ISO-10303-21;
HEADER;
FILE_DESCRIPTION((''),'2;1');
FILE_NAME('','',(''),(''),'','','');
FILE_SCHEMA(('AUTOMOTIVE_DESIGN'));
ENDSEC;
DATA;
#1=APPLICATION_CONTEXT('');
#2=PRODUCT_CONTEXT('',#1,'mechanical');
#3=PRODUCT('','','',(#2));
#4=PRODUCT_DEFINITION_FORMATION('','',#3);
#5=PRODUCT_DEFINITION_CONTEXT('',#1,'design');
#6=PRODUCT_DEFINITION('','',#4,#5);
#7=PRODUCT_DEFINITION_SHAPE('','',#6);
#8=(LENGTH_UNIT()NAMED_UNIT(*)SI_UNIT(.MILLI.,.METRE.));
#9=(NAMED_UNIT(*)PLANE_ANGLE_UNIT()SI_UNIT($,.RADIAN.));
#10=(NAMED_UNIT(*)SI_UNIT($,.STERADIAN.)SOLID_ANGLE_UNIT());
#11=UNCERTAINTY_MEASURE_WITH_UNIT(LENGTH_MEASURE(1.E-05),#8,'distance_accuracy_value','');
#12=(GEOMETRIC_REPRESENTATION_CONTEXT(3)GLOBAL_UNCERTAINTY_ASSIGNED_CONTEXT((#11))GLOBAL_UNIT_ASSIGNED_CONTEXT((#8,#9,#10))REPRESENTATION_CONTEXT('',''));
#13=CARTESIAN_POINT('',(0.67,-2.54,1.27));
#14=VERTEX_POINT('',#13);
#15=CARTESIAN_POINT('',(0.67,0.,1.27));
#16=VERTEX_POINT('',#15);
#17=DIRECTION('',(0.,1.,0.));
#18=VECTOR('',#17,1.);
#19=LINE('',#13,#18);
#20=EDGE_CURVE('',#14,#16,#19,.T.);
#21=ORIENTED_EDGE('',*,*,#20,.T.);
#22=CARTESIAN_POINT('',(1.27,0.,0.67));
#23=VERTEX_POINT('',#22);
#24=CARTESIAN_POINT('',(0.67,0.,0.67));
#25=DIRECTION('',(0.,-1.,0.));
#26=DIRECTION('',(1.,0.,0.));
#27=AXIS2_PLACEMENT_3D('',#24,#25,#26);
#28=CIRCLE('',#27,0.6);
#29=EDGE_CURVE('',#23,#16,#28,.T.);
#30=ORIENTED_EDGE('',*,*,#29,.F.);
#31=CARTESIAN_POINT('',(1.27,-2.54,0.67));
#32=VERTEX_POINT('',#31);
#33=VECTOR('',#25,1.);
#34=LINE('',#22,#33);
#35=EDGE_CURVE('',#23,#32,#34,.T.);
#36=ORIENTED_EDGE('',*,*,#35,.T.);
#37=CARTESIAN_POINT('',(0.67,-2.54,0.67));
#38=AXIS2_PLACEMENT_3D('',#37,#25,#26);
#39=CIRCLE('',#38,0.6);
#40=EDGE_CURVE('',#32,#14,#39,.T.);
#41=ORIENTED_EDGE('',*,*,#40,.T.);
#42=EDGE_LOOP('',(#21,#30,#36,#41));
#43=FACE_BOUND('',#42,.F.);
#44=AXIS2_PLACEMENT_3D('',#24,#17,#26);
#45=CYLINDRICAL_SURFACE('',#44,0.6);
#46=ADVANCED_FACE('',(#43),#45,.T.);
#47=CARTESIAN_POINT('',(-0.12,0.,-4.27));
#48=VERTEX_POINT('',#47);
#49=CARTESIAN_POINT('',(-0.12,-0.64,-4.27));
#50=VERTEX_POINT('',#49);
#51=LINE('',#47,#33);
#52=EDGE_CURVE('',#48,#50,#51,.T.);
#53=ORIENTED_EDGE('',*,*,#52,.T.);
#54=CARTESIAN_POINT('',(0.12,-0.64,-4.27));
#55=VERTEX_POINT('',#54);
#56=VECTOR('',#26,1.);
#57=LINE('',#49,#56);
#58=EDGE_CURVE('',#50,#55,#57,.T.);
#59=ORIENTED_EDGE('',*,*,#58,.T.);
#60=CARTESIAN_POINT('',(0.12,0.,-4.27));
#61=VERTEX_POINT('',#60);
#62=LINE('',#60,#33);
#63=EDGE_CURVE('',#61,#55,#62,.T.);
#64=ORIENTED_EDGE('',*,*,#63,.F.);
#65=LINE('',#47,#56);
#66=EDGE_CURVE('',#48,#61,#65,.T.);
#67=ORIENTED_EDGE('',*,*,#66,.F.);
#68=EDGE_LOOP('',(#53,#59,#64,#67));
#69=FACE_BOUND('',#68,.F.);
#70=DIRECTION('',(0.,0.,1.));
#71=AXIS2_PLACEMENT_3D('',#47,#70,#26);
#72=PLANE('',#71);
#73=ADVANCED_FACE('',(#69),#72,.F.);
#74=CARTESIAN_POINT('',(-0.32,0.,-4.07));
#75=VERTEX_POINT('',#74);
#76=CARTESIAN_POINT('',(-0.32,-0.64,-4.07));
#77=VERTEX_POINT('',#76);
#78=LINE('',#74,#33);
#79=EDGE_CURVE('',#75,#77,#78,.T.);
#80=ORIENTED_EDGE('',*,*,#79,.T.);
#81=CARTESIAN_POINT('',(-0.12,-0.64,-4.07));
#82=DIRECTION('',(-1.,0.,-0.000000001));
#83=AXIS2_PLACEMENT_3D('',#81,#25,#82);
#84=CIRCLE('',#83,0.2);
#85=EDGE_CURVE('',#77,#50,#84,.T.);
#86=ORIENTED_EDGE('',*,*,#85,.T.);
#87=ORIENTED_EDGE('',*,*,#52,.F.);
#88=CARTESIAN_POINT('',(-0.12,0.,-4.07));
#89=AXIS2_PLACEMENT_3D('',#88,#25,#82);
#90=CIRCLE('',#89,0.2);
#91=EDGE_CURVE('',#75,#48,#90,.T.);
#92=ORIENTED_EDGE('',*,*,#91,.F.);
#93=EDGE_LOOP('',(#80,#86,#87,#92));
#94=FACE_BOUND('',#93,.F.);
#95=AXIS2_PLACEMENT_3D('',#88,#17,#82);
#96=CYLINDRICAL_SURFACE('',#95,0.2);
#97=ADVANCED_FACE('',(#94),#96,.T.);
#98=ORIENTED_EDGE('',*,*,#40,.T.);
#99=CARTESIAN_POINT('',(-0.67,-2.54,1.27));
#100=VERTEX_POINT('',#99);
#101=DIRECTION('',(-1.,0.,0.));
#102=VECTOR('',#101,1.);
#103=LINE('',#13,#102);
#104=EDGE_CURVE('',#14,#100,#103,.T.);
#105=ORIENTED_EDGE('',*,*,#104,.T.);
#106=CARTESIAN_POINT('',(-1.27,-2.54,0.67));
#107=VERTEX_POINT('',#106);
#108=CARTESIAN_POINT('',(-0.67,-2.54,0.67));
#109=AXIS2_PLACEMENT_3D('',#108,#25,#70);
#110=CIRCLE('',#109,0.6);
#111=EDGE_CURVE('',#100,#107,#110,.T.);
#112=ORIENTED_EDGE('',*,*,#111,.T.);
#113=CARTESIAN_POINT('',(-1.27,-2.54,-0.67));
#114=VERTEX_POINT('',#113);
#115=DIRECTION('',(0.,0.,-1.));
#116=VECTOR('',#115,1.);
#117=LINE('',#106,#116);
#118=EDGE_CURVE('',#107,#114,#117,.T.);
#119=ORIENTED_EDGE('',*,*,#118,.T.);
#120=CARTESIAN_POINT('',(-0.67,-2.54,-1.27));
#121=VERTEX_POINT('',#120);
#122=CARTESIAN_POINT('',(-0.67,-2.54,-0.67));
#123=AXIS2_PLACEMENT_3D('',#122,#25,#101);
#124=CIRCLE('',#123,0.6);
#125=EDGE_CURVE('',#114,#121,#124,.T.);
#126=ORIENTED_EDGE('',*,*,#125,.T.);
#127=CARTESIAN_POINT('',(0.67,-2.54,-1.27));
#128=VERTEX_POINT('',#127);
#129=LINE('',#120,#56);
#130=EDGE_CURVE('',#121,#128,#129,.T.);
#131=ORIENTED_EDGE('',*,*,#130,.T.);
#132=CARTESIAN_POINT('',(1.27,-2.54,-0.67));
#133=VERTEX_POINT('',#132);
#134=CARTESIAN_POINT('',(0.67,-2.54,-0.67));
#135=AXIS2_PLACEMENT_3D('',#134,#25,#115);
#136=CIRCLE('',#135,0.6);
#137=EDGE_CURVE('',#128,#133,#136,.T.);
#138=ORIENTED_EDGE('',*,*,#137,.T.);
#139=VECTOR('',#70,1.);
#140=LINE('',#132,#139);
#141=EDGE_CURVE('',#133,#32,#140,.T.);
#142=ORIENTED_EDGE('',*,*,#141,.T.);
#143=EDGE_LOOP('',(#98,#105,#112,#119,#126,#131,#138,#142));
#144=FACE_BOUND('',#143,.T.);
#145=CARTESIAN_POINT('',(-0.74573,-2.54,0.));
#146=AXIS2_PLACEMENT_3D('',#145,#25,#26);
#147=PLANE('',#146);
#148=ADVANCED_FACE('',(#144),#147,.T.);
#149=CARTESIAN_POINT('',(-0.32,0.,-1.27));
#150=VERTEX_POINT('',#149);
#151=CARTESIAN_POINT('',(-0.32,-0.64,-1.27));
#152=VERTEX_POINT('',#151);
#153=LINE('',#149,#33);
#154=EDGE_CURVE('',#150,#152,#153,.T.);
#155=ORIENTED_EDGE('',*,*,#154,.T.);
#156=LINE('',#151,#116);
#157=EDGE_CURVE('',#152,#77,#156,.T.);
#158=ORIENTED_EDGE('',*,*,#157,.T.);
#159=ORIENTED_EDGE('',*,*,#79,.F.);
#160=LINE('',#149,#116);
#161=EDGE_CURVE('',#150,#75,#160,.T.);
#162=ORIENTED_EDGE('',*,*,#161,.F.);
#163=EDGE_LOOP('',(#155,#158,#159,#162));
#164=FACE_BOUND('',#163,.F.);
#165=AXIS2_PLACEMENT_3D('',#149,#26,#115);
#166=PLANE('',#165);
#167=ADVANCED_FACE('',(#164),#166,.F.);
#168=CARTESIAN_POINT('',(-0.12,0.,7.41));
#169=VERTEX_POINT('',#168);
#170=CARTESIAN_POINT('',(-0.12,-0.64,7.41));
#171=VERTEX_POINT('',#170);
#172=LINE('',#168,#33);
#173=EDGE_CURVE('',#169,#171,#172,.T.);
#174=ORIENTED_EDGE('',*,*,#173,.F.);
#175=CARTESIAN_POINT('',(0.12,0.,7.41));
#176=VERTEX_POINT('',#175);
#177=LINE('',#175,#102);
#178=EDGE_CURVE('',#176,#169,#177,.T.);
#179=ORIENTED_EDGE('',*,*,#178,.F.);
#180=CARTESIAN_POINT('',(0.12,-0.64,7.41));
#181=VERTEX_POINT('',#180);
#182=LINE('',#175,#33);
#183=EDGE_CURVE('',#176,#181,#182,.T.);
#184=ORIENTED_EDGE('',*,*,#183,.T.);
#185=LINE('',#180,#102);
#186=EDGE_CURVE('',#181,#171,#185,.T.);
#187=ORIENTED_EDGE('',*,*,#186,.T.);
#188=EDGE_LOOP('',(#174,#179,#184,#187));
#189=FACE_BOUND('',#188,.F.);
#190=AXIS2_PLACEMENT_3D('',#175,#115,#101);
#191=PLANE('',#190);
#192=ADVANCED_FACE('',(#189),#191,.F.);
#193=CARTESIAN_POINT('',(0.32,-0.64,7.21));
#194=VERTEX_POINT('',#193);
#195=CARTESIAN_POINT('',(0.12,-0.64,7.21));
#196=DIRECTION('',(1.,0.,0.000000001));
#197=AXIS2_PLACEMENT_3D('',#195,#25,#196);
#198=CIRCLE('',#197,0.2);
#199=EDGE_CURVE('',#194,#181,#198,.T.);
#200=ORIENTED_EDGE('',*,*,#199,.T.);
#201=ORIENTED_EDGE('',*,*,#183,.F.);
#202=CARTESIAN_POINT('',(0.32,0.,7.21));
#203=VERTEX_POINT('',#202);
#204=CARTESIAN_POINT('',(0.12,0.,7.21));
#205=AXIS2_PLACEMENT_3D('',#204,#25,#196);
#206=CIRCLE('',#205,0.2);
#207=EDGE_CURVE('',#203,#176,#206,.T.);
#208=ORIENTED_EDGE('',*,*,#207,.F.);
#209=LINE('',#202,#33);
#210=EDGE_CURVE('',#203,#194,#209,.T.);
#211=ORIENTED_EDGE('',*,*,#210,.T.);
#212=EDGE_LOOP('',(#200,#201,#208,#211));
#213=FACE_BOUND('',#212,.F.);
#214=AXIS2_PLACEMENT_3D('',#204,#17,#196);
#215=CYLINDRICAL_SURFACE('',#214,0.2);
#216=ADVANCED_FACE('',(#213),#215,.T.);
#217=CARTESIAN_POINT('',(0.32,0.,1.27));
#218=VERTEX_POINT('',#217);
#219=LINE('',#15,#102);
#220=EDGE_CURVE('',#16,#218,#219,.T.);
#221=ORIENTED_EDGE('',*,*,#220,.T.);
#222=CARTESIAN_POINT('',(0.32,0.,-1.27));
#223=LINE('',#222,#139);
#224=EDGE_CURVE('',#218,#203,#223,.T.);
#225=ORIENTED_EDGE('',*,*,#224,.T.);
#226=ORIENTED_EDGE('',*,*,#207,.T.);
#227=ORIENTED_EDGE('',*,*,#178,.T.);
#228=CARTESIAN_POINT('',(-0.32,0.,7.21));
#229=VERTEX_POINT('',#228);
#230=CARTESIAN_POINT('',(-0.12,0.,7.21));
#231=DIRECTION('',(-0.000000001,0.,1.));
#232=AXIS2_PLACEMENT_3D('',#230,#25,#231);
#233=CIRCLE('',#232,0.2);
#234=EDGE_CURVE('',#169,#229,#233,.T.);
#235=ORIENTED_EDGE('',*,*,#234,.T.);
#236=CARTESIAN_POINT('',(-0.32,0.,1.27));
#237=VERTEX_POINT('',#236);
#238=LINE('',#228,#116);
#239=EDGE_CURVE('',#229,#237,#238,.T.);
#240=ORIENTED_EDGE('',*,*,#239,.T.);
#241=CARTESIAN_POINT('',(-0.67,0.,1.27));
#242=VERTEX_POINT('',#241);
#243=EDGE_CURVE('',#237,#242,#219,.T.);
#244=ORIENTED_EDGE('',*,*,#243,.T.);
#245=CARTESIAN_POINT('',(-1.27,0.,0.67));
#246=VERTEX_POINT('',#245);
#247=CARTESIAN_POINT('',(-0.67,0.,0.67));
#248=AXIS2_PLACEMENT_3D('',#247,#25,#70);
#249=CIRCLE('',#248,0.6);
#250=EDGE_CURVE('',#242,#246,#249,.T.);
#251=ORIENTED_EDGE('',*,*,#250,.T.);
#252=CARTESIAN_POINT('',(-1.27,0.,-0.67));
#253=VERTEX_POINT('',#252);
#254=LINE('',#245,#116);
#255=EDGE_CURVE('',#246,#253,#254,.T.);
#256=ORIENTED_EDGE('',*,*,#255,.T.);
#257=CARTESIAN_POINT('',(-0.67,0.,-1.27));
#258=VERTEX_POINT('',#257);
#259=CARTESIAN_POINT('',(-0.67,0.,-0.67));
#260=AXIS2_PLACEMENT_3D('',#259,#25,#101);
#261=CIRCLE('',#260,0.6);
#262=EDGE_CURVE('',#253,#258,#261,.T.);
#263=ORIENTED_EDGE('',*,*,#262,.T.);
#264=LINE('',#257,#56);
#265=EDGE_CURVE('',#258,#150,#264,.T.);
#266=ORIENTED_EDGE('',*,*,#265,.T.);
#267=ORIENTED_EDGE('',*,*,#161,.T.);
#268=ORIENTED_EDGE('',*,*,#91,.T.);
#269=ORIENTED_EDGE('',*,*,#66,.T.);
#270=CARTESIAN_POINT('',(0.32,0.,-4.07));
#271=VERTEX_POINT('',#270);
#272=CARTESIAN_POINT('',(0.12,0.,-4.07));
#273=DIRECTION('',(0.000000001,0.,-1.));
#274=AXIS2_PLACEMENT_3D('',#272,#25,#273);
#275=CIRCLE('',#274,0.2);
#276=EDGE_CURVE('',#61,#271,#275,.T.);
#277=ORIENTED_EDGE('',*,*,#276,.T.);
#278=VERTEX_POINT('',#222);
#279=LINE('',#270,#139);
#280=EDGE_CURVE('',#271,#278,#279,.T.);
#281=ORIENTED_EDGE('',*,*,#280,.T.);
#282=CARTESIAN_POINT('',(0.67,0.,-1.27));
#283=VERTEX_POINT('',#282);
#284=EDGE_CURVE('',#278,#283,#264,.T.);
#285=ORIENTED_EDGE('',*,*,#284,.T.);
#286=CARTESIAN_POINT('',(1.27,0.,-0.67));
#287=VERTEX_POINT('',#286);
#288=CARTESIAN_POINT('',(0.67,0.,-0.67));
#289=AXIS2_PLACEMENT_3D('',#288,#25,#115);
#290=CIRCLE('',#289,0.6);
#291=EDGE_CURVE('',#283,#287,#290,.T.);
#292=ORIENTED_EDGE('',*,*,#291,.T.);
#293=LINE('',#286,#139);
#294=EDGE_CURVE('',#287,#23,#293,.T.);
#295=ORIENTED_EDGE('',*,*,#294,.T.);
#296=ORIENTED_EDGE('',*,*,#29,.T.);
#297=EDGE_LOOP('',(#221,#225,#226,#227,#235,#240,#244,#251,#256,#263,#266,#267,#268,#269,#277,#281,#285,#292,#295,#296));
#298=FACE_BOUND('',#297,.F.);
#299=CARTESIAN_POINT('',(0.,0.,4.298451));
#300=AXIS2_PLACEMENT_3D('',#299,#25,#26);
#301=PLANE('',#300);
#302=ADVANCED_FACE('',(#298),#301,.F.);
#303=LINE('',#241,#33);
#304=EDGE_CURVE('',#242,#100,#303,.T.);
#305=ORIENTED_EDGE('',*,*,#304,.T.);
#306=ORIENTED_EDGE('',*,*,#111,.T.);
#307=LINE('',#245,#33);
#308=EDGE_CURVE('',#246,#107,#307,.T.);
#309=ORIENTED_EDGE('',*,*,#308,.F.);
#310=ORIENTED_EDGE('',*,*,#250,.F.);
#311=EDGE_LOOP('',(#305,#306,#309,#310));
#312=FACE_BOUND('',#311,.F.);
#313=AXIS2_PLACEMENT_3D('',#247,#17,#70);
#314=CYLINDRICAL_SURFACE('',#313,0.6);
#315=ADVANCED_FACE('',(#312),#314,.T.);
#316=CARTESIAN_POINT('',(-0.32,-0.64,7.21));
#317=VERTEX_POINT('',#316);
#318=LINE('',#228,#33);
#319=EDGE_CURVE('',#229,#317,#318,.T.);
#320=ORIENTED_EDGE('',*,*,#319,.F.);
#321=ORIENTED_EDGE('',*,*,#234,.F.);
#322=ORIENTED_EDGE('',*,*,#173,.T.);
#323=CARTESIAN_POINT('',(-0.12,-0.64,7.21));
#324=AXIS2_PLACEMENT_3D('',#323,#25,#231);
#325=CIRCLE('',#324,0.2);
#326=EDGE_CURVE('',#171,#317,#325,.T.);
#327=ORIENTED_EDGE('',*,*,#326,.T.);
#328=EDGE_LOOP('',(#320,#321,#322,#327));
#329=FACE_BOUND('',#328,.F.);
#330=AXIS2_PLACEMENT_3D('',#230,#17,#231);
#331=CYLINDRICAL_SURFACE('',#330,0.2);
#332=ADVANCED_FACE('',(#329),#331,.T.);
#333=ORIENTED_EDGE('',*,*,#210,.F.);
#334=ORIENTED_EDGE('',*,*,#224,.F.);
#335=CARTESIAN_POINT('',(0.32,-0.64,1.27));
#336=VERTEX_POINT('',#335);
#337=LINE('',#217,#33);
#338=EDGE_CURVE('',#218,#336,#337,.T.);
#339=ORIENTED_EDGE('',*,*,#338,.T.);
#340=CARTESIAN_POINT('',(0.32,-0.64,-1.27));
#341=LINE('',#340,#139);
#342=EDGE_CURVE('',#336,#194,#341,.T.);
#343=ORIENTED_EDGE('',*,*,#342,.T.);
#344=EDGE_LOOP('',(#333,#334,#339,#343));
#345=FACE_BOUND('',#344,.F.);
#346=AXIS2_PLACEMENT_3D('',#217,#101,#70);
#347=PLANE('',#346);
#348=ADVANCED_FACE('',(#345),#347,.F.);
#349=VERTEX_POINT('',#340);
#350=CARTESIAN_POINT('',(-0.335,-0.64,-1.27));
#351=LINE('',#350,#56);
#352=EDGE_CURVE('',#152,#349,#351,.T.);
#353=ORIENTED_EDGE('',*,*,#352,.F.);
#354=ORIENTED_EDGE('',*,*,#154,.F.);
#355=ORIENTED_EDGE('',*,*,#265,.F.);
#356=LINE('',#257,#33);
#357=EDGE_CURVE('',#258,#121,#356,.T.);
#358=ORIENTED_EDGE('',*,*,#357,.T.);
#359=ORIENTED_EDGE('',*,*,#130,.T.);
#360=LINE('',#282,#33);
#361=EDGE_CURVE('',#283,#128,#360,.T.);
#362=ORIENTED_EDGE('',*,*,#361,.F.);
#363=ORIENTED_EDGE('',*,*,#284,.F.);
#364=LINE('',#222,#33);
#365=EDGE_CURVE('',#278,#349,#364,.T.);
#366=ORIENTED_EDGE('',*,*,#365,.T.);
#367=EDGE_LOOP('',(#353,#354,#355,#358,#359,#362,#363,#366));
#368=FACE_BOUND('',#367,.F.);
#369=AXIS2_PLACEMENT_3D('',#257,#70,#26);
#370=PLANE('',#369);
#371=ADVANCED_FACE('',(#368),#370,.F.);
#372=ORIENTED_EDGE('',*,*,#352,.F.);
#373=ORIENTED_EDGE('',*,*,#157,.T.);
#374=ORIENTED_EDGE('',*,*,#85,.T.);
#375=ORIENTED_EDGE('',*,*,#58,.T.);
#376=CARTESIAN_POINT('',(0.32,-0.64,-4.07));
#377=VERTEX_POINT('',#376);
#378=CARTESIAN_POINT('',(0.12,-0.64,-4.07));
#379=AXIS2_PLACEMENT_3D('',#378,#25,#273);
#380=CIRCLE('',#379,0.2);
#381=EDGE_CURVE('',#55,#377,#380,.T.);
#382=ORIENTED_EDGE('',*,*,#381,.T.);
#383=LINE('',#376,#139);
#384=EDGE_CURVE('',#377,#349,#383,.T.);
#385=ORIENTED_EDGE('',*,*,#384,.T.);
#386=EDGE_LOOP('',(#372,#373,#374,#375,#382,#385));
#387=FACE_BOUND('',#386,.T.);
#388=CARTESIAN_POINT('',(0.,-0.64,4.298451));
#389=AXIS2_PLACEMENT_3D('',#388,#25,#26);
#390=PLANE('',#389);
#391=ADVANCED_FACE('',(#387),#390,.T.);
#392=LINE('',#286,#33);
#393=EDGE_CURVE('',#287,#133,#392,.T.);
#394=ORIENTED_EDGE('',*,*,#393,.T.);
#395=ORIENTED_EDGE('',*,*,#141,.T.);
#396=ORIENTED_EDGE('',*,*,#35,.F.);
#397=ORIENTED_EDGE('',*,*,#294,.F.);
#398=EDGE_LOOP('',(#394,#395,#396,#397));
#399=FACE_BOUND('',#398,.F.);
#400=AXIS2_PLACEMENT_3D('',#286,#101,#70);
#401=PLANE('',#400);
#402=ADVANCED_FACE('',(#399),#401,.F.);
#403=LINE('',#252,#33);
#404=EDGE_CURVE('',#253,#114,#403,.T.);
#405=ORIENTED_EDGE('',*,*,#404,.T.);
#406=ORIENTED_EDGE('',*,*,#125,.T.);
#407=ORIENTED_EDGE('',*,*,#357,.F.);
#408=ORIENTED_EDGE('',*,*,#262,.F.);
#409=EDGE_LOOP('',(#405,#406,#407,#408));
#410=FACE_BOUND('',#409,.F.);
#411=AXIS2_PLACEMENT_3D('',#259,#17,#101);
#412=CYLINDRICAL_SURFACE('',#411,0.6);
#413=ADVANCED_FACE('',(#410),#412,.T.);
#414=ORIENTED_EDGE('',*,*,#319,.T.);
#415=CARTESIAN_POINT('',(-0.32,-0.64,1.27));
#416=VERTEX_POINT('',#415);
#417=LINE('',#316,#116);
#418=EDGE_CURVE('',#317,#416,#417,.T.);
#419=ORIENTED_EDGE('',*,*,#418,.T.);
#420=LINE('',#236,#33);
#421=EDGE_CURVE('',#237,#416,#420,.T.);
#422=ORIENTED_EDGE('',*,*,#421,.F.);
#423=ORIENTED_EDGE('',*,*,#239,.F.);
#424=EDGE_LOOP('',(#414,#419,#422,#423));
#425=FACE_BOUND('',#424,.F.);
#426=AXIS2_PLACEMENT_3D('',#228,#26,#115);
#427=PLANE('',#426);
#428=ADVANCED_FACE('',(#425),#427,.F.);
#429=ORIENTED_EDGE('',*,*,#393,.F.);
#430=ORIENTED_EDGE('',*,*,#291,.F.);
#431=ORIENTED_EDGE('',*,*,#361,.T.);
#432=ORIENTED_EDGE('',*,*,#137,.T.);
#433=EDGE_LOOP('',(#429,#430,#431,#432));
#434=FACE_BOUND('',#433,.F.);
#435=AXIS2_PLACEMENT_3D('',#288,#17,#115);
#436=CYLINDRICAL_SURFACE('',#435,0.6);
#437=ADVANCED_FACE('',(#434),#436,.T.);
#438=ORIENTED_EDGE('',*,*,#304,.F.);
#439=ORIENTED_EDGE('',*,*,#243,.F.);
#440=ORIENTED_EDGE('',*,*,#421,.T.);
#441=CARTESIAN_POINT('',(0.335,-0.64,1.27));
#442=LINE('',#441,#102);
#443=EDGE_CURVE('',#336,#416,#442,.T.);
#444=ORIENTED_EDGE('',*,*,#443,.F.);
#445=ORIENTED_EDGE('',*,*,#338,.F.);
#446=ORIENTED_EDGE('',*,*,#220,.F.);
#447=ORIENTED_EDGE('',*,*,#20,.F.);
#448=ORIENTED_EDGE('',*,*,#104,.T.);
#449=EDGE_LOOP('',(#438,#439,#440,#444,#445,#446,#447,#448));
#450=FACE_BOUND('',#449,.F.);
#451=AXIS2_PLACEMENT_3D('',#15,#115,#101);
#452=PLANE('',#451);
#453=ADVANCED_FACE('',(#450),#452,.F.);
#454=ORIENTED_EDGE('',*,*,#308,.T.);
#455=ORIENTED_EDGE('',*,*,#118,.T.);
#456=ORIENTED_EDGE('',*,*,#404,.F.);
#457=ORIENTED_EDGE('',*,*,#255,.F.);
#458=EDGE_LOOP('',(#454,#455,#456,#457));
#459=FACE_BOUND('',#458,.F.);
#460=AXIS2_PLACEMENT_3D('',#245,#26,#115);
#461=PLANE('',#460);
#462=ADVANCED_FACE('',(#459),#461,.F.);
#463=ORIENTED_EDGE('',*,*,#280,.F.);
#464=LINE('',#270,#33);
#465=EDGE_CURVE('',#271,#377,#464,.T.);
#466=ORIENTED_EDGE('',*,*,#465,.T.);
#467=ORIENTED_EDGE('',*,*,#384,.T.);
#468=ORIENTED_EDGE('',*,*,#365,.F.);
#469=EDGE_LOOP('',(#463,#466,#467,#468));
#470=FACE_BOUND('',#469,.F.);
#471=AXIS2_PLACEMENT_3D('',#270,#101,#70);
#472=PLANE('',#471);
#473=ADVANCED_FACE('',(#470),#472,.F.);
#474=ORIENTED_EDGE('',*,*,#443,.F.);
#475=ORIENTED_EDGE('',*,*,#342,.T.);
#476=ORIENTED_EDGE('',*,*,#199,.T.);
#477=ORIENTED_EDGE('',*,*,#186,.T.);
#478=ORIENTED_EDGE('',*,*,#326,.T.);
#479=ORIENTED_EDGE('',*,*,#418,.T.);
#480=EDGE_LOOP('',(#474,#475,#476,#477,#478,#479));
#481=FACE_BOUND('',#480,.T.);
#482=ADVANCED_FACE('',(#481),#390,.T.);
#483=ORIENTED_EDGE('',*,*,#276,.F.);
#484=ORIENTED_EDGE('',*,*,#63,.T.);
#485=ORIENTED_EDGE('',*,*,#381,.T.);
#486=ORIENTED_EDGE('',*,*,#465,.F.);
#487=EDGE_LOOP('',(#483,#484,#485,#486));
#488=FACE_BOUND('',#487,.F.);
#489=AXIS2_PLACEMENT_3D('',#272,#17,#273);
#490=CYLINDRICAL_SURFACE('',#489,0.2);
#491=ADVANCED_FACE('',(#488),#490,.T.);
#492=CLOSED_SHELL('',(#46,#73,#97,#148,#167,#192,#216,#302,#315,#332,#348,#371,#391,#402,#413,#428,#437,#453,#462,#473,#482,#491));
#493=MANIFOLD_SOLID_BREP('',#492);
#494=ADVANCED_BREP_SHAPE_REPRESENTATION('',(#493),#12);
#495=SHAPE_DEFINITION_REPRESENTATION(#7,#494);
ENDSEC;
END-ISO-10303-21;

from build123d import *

# Parameters (mm, degrees)
F0_W     = 0.64
F0_H     = 2.54
F1_DEPTH = 2.54
F2_DEPTH = 0.64


with BuildPart() as f1:
    # F0 (on Front) → F1 (new body)
    with BuildSketch(Plane.XZ):
        with BuildLine():
            Line((-0.32, 1.27), (-0.67, 1.27))
            ThreePointArc((-0.67, 1.27), (-1.0942640687, 1.0942640687), (-1.27, 0.67))
            Line((-1.27, 0.67), (-1.27, -0.67))
            ThreePointArc((-1.27, -0.67), (-1.0942640687, -1.0942640687), (-0.67, -1.27))
            Line((-0.67, -1.27), (-0.32, -1.27))
            Line((-0.32, -1.27), (-0.32, 1.27))
        make_face()
        with BuildLine():
            Line((0.67, 1.27), (0.32, 1.27))
            Line((0.32, 1.27), (0.32, -1.27))
            Line((0.32, -1.27), (0.67, -1.27))
            ThreePointArc((0.67, -1.27), (1.0942640687, -1.0942640687), (1.27, -0.67))
            Line((1.27, -0.67), (1.27, 0.67))
            ThreePointArc((1.27, 0.67), (1.0942640687, 1.0942640687), (0.67, 1.27))
        make_face()
        Rectangle(F0_W, F0_H)
    extrude(amount=F1_DEPTH)

    # F0 (on Front) → F2 (join)
    with BuildSketch(Plane.XZ):
        with BuildLine():
            Line((-0.32, 7.21), (-0.32, 1.27))
            Line((-0.32, 1.27), (0.32, 1.27))
            Line((0.32, 1.27), (0.32, 7.21))
            ThreePointArc((0.32, 7.21), (0.2614213562, 7.3514213562), (0.12, 7.41))
            Line((0.12, 7.41), (-0.12, 7.41))
            ThreePointArc((-0.12, 7.41), (-0.2614213562, 7.3514213562), (-0.32, 7.21))
        make_face()
        Rectangle(F0_W, F0_H)
        with BuildLine():
            Line((-0.32, 1.27), (-0.67, 1.27))
            ThreePointArc((-0.67, 1.27), (-1.0942640687, 1.0942640687), (-1.27, 0.67))
            Line((-1.27, 0.67), (-1.27, -0.67))
            ThreePointArc((-1.27, -0.67), (-1.0942640687, -1.0942640687), (-0.67, -1.27))
            Line((-0.67, -1.27), (-0.32, -1.27))
            Line((-0.32, -1.27), (-0.32, 1.27))
        make_face()
        with BuildLine():
            Line((0.67, 1.27), (0.32, 1.27))
            Line((0.32, 1.27), (0.32, -1.27))
            Line((0.32, -1.27), (0.67, -1.27))
            ThreePointArc((0.67, -1.27), (1.0942640687, -1.0942640687), (1.27, -0.67))
            Line((1.27, -0.67), (1.27, 0.67))
            ThreePointArc((1.27, 0.67), (1.0942640687, 1.0942640687), (0.67, 1.27))
        make_face()
        with BuildLine():
            Line((0.32, -1.27), (-0.32, -1.27))
            Line((-0.32, -1.27), (-0.32, -4.07))
            ThreePointArc((-0.32, -4.07), (-0.2614213562, -4.2114213562), (-0.12, -4.27))
            Line((-0.12, -4.27), (0.12, -4.27))
            ThreePointArc((0.12, -4.27), (0.2614213562, -4.2114213562), (0.32, -4.07))
            Line((0.32, -4.07), (0.32, -1.27))
        make_face()
    extrude(amount=F2_DEPTH)


solid = f1.part
